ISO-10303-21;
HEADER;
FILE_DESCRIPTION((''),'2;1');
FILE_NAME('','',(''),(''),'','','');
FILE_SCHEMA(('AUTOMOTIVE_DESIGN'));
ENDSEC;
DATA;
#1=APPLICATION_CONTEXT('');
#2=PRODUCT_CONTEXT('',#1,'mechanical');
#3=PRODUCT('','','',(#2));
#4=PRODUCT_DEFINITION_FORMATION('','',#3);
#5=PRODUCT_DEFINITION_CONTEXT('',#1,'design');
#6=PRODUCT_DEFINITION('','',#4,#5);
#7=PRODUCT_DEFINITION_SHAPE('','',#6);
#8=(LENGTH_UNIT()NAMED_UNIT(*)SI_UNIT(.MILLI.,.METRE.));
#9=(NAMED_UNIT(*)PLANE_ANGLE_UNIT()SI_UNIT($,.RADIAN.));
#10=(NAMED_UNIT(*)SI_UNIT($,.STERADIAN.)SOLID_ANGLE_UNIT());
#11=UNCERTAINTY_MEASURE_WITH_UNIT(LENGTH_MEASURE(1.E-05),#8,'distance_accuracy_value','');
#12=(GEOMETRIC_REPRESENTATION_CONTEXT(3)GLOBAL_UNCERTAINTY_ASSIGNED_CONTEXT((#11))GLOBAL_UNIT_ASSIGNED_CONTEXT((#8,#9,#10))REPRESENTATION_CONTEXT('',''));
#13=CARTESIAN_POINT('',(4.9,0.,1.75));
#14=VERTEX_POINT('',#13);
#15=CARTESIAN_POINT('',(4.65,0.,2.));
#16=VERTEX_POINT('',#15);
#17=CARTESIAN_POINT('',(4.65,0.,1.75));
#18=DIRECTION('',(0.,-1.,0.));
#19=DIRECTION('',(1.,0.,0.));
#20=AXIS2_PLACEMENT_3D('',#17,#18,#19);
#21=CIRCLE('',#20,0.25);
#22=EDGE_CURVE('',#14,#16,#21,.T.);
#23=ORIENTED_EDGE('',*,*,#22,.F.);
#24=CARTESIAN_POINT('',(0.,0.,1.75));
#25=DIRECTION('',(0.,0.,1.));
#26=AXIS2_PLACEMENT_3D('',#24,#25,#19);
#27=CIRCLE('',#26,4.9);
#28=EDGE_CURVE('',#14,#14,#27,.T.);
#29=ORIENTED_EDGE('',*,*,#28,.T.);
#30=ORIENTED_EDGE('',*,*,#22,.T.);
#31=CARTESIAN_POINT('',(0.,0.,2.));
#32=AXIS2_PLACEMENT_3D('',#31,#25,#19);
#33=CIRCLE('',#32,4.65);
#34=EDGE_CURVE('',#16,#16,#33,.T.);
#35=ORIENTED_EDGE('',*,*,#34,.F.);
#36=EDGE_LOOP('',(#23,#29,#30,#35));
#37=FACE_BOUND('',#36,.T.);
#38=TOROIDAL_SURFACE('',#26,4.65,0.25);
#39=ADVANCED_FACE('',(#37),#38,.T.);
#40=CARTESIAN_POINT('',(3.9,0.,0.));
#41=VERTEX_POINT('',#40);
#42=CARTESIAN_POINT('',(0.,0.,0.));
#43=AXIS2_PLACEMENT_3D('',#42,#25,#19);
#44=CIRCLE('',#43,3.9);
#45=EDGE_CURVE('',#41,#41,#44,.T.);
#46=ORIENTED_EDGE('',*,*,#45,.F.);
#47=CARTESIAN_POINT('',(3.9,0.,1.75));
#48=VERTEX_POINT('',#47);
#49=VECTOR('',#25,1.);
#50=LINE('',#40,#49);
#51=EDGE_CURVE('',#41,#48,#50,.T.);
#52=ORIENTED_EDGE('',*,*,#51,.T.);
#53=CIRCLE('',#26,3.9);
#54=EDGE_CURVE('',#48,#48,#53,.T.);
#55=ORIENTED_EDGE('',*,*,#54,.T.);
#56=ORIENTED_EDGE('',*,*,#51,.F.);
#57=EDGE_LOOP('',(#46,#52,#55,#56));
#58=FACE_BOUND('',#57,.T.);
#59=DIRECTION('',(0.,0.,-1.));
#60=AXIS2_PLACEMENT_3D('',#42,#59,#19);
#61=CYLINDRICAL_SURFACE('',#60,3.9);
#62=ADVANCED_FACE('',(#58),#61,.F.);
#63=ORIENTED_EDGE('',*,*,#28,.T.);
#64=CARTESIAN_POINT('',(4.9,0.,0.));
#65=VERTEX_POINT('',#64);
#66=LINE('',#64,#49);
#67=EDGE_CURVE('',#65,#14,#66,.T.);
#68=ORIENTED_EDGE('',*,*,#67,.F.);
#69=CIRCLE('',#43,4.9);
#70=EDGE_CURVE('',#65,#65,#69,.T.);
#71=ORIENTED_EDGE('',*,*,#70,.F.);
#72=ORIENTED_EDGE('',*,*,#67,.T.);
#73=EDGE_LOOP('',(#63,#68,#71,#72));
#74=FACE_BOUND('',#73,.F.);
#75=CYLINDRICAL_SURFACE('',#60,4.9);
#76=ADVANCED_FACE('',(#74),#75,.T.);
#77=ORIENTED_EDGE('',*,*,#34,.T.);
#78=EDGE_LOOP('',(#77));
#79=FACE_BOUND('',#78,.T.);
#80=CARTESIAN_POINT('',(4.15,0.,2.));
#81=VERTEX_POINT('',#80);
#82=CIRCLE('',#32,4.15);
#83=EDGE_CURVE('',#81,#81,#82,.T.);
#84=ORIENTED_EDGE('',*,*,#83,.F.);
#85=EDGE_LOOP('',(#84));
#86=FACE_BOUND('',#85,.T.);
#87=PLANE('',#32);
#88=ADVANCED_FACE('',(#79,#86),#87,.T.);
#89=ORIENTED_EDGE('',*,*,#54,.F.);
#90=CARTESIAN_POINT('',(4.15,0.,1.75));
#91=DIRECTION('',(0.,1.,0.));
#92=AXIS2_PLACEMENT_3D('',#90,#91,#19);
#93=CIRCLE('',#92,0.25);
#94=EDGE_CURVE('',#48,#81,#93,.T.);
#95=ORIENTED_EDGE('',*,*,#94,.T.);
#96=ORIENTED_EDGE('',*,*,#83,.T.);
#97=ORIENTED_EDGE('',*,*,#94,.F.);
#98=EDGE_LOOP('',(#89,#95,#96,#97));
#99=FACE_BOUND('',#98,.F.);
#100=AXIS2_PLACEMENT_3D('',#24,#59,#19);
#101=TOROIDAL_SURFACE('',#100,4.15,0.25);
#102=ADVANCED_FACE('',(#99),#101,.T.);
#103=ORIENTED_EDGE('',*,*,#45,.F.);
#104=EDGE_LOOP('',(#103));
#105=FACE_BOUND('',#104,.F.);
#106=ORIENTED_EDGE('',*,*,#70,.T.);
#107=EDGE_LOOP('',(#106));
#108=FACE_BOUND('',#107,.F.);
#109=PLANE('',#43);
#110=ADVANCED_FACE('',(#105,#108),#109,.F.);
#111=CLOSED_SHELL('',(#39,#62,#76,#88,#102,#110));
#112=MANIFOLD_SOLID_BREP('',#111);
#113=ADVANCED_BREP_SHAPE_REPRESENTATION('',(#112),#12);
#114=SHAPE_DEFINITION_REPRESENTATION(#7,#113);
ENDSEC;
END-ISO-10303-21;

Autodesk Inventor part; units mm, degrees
ref_plane "YZ Plane" through (0, 0, 0) normal (1, 0, 0) x (0, 1, 0)
ref_plane "XZ Plane" through (0, 0, 0) normal (0, 1, 0) x (-1, 0, 0)
ref_plane "XY Plane" through (0, 0, 0) normal (0, 0, 1) x (1, 0, 0)
sketch "Sketch1" plane through (0, 0, 0) normal (0, 0, 1) x (1, 0, 0)
  circle A0 centre (0, 0) radius 3.9
  circle A1 centre (0, 0) radius 4.9
  dimension "d0" = 7.8
  dimension "d1" = 1
extrude "Extrusion1" add sketch "Sketch1" along normal blind 2
fillet "Fillet1" radius 0.25 2 edges at (-3.9, 0, 2) (-4.9, 0, 2)
equation "\"d0\" = IG_shaftDiameter + W_holesClearance"
equation "\"d1\" = BR_bearingThickness"
equation "\"d2\" = W_wallThickness"
equation "\"Wheel_Related_W_\" = 0"
equation "\"W_innerDepth\" = 4"
equation "\"W_wallThickness\" = 2"
equation "\"W_holesClearance\" = 0.3"
equation "\"W_outerGearHoleDiameter\" = 5.3"
equation "\"W_innerGearHoleDiameter\" = 10.1"
equation "\"TempSpotReserved7\" = 0"
equation "\"TempSpotReserved8\" = 0"
equation "\"TempSpotReserved9\" = 0"
equation "\"TempSpotReserved10\" = 0"
equation "\"Inner_Gear_Related_IG_\" = 0"
equation "\"IG_shaftDiameter\" = 7.5"
equation "\"IG_shaftLength\" = 15"
equation "\"IG_gearThickness\" = 2"
equation "\"IG_ratioToOuterGear\" = 0.75"
equation "\"TempSpotReserved16\" = 0"
equation "\"TempSpotReserved17\" = 0"
equation "\"TempSpotReserved18\" = 0"
equation "\"TempSpotReserved19\" = 0"
equation "\"TempSpotReserved20\" = 0"
equation "\"Outer_Gear_Related_OG_\" = 0"
equation "\"OG_distanceFromCenter\" = 23.33333"
equation "\"OG_shaftDiameter\" = 5"
equation "\"OG_gearDiameter\" = 26.66667"
equation "\"OG_shaftLength\" = 7"
equation "\"OG_gearThickness\" = 2"
equation "\"TempSpotReserved27\" = 0"
equation "\"TempSpotReserved28\" = 0"
equation "\"TempSpotReserved29\" = 0"
equation "\"TempSpotReserved30\" = 0"
equation "\"Leg_Extensions_Related_LE_\" = 0"
equation "\"LE_baseDiameter\" = 5"
equation "\"LE_maxLength\" = 24.6522"
equation "\"LE_thickness\" = 2.5"
equation "\"TempSpotReserved47\" = 0"
equation "\"B_bearingThickness\" = 1"
equation "\"TempSpotReserved50\" = 0"
equation "\"TempSpotReserved43\" = 0"
equation "\"TempSpotReserved45\" = 0"
equation "\"Thisisatest\" = 25.4"
equation "\"TempSpotReserved48\" = 0"
equation "\"TempSpotReserved46\" = 0"
equation "\"TempSpotReserved44\" = 0"
equation "\"TempSpotReserved49\" = 0"
equation "\"TempSpotReserved35\" = 0"
equation "\"TempSpotReserved39\" = 0"
equation "\"TempSpotReserved38\" = 0"
equation "\"TempSpotReserved37\" = 0"
equation "\"LE_offsetAboveOuterGear\" = 0"
equation "\"TempSpotReserved36\" = 0"
equation "\"TempSpotReserved40\" = 0"
equation "\"Bearing_Related_B_\" = 0"
equation "\"TempSpotReserved42\" = 0"
equation "\"OG_skirtOffset\" = 1"
equation "\"OG_skirtThickness\" = 1"
equation "\"IG_skirtThickness\" = 2"
equation "\"IG_extentionLength\" = 18.33333"
equation "\"IG_extentionThickness\" = 3"
equation "\"IG_slitWidth\" = 4"
equation "\"IG_slitlength\" = 8"
equation "\"IG_slitDistanceFromCenterHole\" = 8"
equation "\"IG_slitClearance\" = 0.2"
equation "\"Reserved_10\" = 0"
equation "\"Reserved_9\" = 0"
equation "\"Reserved_11\" = 0"
equation "\"Reserved_12\" = 0"
equation "\"Reserved_8\" = 0"
equation "\"Reserved_7\" = 0"
equation "\"Reserved_26\" = 0"
equation "\"Reserved_20\" = 0"
equation "\"Reserved_22\" = 0"
equation "\"Reserved_23\" = 0"
equation "\"Reserved_25\" = 0"
equation "\"Reserved_24\" = 0"
equation "\"Reserved_21\" = 0"
equation "\"Reserved_19\" = 0"
equation "\"Reserved_27\" = 0"
equation "\"Reserved_14\" = 0"
equation "\"Reserved_15\" = 0"
equation "\"Reserved_16\" = 0"
equation "\"Reserved_13\" = 0"
equation "\"Reserved_17\" = 0"
equation "\"Reserved_18\" = 0"
equation "\"Bearing_Related_BR_\" = 0"
equation "\"BR_bearingThickness\" = 1"
equation "\"Block_Related_BL_\" = 0"
equation "\"BL_width\" = 3.8"
equation "\"BL_length\" = 7.8"
equation "\"W_filletRadius\" = 0.25"
equation "\"W_extrutsionTaperAngle\" = 2deg"
equation "\"OG_protrudeDistance\" = 3"
properties part number "bearing"
